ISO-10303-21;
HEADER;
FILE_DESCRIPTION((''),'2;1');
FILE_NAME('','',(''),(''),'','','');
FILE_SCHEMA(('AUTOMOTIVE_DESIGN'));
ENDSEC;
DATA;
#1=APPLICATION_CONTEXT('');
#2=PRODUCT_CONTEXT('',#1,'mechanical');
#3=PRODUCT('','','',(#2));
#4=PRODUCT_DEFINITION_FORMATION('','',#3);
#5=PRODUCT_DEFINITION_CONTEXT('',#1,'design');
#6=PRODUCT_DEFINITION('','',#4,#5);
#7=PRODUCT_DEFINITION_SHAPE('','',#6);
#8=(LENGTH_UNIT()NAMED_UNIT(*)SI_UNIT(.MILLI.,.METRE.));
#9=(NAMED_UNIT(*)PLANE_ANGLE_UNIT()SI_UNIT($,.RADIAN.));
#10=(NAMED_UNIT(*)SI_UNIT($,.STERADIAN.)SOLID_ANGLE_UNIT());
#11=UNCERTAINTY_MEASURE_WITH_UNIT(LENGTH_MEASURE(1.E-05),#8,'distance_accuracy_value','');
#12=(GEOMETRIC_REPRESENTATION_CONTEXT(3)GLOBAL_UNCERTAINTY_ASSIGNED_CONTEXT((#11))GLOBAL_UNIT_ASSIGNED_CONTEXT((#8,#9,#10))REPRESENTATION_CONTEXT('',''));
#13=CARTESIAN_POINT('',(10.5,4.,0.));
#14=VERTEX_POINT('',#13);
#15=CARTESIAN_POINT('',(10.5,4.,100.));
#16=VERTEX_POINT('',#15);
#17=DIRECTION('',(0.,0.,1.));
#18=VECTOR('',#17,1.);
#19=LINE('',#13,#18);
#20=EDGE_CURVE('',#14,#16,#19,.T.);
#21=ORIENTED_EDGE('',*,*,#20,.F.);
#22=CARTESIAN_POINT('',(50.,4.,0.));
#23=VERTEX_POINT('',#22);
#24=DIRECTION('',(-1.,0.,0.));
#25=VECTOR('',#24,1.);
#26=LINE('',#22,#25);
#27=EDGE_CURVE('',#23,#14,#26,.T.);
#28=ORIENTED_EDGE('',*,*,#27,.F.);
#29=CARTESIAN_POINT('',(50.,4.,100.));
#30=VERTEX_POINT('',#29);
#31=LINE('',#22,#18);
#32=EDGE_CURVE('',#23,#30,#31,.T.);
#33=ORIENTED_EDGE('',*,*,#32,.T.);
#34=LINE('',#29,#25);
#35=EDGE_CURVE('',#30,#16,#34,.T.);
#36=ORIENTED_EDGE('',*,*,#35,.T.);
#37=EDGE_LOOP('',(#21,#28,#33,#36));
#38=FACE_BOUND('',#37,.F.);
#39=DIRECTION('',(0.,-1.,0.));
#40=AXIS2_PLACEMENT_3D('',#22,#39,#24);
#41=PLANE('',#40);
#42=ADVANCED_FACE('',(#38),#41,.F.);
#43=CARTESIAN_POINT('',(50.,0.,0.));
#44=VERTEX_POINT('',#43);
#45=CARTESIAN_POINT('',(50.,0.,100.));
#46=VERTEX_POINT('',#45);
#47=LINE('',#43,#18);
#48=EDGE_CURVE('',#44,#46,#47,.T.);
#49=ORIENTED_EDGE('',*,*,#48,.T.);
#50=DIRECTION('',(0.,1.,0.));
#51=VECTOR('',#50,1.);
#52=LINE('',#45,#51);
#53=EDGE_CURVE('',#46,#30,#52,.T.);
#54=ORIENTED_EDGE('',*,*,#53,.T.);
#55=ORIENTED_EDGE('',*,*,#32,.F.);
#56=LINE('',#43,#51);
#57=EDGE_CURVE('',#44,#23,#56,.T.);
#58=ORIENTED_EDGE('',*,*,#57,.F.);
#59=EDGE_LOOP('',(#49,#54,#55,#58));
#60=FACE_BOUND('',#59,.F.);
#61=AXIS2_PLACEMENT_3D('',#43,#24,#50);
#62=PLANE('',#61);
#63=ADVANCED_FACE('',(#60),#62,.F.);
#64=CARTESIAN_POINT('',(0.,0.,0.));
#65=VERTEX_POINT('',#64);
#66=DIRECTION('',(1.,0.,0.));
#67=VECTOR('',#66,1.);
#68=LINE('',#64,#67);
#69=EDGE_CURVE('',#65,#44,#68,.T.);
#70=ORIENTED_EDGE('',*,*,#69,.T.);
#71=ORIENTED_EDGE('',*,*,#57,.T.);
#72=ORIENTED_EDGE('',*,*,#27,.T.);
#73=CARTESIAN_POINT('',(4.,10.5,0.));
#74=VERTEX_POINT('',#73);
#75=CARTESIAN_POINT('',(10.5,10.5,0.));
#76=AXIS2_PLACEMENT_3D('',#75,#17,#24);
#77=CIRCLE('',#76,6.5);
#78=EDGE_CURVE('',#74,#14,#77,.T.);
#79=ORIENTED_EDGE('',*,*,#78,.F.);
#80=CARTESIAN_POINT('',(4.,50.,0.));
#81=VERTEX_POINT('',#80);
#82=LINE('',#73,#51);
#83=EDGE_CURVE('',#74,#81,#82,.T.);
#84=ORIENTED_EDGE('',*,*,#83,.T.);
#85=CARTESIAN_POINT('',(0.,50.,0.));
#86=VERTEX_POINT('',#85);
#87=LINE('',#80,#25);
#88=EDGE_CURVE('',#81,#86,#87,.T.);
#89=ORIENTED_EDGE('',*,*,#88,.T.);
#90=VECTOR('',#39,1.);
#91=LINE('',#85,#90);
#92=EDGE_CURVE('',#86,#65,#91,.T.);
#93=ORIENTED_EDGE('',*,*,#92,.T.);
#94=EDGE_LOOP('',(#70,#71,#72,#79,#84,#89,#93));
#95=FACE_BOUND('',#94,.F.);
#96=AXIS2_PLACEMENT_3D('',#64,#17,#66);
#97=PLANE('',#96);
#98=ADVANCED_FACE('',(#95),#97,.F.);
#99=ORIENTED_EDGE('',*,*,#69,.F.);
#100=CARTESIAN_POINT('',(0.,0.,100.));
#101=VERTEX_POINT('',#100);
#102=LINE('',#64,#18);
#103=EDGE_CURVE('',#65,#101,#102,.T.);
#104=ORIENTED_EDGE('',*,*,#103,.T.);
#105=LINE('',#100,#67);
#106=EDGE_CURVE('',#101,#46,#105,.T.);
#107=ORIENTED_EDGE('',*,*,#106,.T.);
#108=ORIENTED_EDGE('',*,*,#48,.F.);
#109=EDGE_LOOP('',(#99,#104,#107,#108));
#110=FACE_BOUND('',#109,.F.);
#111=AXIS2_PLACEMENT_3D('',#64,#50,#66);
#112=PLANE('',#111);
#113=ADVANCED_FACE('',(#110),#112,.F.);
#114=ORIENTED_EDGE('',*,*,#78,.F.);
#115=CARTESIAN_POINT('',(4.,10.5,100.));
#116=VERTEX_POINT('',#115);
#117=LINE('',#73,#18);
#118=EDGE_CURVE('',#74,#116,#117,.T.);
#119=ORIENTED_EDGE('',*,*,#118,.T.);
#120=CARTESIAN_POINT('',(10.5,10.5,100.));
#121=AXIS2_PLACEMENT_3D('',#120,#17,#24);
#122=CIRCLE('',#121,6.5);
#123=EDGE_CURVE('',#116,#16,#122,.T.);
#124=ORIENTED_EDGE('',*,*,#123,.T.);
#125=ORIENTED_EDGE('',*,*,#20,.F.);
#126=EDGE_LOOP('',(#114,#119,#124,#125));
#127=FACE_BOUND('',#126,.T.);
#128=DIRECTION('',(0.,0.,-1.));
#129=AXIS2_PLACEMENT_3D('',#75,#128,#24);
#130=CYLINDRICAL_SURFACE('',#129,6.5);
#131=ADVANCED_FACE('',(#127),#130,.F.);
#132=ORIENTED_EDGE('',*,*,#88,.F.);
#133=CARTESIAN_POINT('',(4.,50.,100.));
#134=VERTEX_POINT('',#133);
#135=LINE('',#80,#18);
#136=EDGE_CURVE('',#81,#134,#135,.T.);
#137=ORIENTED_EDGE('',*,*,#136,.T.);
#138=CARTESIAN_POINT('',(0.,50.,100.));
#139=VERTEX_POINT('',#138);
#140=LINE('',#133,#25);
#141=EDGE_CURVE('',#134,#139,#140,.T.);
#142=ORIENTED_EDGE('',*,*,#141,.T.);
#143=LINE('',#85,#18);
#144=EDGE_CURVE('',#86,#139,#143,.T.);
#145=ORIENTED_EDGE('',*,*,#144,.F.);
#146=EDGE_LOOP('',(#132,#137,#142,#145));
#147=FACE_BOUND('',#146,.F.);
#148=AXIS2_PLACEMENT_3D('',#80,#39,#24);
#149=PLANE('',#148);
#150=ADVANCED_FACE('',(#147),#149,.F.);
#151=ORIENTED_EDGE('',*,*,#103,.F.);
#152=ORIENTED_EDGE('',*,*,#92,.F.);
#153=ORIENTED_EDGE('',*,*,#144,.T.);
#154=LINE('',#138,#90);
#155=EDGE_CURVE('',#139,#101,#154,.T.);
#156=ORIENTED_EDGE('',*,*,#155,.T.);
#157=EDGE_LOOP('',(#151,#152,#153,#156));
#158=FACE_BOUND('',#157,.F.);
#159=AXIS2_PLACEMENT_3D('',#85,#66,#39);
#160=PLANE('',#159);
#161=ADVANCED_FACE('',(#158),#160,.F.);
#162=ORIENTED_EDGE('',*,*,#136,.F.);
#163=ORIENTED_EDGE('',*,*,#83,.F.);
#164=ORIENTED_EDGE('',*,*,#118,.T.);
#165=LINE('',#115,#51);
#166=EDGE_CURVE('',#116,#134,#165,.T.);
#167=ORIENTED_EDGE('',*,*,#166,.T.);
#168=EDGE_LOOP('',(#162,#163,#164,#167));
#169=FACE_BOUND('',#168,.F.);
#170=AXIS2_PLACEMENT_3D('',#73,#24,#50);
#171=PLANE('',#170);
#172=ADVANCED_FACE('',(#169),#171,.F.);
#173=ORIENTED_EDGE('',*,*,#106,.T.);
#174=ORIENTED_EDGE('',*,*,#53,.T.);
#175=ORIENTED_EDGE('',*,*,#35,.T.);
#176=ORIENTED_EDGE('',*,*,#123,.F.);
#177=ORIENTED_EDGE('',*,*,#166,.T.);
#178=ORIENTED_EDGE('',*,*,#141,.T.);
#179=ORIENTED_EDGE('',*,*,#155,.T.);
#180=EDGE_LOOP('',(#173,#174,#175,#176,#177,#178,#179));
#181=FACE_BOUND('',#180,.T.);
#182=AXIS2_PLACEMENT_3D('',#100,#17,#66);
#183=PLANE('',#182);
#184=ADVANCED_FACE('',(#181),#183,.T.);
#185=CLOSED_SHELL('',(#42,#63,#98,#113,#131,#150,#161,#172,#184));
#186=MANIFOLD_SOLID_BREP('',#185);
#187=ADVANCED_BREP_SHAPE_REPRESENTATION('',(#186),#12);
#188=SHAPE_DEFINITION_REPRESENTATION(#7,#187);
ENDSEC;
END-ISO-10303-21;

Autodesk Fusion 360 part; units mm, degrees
sketch "スケッチ1" plane through (0, 0, 0) normal (0, 0, 1) x (1, 0, 0)
  line L0 (0, 50) -> (0, 0)
  line L1 (50, 0) -> (50, 4)
  line L2 (0, 0) -> (50, 0)
  line L3 (50, 4) -> (10.5, 4)
  line L4 (4, 10.5) -> (4, 50)
  arc A0 (4, 10.5) -> (10.5, 4) centre (10.5, 10.5) ccw
  line L5 (4, 50) -> (0, 50)
extrude "押し出し1" add sketch "スケッチ1" along normal blind 100
